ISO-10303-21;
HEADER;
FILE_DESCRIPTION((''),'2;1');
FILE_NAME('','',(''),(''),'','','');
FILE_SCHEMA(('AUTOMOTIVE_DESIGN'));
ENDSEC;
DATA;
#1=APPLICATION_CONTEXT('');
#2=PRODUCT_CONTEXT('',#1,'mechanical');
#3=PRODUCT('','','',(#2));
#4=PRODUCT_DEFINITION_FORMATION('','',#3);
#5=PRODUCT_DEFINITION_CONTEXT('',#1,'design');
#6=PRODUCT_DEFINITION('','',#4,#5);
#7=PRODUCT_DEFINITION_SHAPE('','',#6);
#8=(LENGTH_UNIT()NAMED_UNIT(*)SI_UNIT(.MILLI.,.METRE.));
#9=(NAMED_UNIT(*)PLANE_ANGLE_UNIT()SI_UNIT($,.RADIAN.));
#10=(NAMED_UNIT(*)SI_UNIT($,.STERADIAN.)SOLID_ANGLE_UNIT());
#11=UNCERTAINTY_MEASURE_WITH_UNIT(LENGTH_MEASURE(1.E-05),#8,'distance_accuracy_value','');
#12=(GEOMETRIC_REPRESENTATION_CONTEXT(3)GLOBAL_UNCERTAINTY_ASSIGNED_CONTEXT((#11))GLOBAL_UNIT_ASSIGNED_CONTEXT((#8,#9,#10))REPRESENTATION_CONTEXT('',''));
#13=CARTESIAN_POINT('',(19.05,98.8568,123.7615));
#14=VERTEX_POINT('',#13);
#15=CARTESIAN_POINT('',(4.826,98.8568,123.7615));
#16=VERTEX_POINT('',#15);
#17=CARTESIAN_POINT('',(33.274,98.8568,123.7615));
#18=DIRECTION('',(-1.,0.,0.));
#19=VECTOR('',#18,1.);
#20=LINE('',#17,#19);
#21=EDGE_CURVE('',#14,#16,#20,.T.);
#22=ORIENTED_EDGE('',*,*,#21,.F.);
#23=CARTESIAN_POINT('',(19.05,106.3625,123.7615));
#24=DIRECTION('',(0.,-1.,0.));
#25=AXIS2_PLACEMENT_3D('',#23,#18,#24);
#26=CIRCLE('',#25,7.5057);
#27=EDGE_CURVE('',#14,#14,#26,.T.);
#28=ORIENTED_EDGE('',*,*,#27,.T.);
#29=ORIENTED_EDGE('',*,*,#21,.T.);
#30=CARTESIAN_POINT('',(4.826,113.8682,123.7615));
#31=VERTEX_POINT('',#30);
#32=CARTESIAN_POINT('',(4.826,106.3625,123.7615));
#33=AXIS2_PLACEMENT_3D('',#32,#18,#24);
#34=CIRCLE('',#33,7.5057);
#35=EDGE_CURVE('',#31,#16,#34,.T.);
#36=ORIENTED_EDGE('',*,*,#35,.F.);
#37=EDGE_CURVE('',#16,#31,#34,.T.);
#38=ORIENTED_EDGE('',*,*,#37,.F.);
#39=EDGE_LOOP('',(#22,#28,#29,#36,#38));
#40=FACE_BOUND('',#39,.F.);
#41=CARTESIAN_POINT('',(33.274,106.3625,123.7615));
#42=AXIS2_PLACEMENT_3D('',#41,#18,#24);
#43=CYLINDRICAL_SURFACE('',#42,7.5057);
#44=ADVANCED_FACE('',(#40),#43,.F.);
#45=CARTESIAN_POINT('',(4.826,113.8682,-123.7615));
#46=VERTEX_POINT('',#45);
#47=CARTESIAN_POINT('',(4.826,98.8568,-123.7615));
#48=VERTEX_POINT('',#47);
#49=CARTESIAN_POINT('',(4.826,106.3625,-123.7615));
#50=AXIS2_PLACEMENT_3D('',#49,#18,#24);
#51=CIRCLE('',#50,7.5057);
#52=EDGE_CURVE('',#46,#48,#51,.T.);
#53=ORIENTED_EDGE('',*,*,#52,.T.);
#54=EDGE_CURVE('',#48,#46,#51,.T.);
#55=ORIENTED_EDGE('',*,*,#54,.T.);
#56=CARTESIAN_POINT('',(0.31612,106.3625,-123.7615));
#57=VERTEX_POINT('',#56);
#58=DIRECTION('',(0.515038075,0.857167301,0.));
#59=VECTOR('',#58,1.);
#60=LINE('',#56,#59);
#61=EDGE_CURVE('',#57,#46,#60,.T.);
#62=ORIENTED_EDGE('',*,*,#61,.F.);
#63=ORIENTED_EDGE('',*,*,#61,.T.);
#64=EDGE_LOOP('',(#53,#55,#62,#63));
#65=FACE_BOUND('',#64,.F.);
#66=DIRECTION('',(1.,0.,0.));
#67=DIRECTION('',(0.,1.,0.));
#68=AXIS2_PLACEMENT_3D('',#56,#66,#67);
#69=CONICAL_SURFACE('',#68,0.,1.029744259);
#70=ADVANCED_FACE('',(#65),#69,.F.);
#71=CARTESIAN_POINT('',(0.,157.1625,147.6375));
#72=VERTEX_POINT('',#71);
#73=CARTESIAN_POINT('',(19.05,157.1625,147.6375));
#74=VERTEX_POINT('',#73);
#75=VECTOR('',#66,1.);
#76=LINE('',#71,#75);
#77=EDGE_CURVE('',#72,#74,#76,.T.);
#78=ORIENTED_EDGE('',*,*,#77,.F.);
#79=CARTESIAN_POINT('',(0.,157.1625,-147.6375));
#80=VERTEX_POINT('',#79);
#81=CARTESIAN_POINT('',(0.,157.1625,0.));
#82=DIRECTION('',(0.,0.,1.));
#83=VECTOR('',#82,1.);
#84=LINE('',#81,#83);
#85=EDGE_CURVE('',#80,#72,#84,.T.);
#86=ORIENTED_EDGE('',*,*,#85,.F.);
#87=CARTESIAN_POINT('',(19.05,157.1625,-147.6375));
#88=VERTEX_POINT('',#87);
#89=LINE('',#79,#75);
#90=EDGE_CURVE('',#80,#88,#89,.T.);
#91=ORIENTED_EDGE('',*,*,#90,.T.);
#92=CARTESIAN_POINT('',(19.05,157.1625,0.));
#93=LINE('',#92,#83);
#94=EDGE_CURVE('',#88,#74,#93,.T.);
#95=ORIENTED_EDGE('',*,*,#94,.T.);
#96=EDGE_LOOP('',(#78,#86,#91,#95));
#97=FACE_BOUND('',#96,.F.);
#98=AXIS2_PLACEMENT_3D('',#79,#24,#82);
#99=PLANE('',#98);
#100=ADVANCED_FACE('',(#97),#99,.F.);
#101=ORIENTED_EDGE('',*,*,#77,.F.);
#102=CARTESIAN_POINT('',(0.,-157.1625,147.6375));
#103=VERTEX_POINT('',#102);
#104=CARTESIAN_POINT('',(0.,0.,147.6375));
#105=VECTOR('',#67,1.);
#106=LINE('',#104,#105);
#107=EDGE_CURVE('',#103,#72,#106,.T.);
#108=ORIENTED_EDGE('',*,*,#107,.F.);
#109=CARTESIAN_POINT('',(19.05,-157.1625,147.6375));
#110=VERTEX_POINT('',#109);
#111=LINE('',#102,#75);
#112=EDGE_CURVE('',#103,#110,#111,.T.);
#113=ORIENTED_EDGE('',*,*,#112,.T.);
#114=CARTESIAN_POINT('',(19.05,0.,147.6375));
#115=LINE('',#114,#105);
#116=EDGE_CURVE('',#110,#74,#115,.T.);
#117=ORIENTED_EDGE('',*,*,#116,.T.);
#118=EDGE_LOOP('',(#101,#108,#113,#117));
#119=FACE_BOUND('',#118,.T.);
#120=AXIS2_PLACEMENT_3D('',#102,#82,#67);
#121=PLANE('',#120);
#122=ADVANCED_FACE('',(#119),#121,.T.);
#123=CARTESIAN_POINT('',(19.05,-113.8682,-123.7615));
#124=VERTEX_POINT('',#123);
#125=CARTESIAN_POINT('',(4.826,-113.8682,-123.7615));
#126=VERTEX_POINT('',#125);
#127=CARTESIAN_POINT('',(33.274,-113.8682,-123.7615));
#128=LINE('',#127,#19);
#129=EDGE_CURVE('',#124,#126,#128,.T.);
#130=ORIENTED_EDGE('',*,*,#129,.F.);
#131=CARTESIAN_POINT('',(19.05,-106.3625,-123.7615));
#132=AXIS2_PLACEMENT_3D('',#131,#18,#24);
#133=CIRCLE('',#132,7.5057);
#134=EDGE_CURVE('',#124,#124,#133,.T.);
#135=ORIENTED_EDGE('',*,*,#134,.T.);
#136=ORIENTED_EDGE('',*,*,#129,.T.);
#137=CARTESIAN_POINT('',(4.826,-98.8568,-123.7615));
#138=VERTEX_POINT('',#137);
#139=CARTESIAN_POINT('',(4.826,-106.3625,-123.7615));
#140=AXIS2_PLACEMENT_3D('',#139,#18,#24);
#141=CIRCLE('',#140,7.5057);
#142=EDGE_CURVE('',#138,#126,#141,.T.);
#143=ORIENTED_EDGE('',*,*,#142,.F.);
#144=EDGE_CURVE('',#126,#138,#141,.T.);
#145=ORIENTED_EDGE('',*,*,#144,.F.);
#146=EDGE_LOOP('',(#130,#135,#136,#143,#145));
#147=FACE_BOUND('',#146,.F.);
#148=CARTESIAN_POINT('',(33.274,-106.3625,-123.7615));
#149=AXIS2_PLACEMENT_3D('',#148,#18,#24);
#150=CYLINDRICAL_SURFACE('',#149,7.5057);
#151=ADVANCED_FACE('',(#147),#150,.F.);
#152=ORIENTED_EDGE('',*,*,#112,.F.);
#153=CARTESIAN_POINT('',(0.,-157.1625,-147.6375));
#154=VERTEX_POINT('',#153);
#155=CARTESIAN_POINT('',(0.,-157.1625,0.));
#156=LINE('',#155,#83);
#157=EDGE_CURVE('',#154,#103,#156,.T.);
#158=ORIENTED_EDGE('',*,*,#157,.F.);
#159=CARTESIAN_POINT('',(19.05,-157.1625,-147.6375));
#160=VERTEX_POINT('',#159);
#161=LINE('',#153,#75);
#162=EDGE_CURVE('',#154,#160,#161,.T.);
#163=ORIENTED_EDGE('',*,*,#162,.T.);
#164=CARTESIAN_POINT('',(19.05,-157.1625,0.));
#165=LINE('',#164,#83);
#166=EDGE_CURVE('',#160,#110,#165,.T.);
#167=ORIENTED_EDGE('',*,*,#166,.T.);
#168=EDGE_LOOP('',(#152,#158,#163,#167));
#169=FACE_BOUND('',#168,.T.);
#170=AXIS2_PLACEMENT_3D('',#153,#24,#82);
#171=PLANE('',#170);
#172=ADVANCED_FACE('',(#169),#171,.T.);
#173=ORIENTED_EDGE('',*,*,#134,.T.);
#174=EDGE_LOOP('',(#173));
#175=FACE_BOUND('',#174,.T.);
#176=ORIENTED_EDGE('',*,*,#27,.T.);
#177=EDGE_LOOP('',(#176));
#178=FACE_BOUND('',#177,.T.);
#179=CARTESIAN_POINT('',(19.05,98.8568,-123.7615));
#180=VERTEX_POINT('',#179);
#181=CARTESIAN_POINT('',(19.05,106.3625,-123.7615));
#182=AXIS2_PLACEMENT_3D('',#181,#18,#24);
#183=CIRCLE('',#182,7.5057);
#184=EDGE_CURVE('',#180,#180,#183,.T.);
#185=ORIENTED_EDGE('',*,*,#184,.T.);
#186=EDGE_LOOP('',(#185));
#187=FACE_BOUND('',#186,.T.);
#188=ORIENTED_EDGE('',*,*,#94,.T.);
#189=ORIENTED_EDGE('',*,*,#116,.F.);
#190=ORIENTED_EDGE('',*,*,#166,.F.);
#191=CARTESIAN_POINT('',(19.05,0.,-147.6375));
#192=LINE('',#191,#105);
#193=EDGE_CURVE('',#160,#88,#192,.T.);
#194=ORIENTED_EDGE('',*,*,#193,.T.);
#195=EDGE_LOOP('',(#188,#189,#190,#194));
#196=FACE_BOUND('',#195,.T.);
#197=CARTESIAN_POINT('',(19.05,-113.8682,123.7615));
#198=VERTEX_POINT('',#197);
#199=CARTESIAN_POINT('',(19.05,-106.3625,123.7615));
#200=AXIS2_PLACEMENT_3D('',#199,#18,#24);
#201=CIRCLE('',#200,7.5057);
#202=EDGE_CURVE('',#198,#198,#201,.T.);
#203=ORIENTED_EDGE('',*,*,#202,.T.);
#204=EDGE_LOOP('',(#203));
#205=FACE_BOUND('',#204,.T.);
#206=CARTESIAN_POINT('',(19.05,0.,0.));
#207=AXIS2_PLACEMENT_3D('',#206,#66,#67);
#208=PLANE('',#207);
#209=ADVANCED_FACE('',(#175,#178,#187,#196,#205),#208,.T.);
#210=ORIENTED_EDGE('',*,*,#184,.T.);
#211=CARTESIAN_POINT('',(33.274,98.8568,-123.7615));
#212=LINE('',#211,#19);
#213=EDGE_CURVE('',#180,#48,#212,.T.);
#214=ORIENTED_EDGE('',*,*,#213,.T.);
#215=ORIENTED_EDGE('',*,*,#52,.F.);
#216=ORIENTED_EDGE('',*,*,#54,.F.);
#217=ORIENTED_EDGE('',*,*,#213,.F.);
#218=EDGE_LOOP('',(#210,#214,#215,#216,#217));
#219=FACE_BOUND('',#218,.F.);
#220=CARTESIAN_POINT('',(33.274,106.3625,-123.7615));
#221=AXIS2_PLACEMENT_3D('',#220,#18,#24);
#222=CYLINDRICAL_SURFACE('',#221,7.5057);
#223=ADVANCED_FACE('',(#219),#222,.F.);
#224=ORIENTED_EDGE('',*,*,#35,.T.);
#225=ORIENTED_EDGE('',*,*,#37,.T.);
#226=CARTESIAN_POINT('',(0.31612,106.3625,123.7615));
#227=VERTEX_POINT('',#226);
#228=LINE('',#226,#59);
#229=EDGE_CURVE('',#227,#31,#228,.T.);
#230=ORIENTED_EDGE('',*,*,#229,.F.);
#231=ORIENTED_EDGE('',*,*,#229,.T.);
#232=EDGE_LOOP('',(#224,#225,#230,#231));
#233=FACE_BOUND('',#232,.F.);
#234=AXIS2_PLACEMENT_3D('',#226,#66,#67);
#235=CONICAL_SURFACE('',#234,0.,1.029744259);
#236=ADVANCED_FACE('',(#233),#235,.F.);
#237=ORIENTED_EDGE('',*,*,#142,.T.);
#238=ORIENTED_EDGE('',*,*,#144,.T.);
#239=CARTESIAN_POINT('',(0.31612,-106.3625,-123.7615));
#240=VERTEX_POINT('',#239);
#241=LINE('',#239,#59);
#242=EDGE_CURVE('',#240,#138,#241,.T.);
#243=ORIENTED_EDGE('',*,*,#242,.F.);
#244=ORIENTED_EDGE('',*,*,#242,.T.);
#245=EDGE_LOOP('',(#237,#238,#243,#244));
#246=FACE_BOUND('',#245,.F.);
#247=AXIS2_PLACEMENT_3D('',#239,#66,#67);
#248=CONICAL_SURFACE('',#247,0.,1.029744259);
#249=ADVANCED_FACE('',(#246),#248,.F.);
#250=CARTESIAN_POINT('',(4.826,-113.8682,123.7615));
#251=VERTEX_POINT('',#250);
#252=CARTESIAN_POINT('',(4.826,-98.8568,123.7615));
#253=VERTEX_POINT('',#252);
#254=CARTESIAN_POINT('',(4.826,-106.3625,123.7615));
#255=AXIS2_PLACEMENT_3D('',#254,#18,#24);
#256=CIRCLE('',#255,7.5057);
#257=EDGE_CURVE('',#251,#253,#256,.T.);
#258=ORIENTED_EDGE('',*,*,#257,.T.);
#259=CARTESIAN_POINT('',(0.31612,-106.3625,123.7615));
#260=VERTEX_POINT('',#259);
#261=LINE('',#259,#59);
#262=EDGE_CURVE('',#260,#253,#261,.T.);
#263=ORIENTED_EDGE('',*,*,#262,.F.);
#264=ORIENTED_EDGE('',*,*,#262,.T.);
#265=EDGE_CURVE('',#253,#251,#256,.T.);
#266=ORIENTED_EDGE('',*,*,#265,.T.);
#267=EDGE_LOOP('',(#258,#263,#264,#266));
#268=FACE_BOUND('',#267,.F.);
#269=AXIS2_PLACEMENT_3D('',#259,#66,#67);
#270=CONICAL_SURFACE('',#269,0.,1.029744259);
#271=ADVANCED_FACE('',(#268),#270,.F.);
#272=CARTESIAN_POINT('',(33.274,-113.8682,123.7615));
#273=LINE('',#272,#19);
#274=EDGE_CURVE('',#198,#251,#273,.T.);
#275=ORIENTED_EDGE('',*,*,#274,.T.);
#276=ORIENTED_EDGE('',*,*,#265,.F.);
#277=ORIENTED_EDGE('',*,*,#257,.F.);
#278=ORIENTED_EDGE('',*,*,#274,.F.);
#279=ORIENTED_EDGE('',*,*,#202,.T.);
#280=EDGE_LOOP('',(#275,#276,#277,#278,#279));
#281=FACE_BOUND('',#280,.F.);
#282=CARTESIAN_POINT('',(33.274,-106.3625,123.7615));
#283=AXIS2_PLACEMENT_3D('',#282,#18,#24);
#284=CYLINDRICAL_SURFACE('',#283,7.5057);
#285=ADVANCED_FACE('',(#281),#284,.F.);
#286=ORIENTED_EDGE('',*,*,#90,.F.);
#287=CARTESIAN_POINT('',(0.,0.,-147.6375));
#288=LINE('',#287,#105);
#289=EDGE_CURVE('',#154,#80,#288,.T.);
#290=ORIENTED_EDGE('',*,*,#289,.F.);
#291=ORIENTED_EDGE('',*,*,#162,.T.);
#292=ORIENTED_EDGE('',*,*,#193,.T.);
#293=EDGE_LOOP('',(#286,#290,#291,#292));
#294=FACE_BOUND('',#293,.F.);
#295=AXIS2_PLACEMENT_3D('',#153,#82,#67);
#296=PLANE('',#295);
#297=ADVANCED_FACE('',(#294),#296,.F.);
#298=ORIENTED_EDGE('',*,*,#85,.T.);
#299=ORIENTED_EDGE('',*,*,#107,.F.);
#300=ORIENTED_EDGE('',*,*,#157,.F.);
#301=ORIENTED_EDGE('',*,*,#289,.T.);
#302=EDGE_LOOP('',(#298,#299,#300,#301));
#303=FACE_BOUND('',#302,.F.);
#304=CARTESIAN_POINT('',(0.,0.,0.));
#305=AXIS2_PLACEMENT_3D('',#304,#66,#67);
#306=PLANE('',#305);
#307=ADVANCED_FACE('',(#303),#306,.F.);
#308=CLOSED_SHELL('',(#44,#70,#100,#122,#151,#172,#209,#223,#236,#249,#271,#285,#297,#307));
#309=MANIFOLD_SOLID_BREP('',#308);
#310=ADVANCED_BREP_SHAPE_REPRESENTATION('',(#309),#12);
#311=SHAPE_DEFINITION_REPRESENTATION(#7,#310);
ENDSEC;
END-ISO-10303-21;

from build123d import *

# Parameters (mm, degrees)
F0_W     = 314.325
F0_H     = 295.275
F1_DEPTH = 19.05
F3_D     = 15.0114
F3_DEPTH = 14.224
F3_TIP   = 4.5098795482


with BuildPart() as f1:
    # F0 (on Right) → F1 (new body)
    with BuildSketch(Plane.YZ):
        Rectangle(F0_W, F0_H)
    extrude(amount=F1_DEPTH)

    # F3
    with Locations(Plane.YZ.offset(19.05)):
        with Locations((-106.3625, 123.7615), (106.3625, 123.7615), (-106.3625, -123.7615), (106.3625, -123.7615)):
            Hole(F3_D / 2, depth=F3_DEPTH)
            with Locations((0, 0, -(F3_DEPTH + F3_TIP / 2))):  # 118° drill point
                Cone(0, F3_D / 2, F3_TIP, mode=Mode.SUBTRACT)


solid = f1.part
